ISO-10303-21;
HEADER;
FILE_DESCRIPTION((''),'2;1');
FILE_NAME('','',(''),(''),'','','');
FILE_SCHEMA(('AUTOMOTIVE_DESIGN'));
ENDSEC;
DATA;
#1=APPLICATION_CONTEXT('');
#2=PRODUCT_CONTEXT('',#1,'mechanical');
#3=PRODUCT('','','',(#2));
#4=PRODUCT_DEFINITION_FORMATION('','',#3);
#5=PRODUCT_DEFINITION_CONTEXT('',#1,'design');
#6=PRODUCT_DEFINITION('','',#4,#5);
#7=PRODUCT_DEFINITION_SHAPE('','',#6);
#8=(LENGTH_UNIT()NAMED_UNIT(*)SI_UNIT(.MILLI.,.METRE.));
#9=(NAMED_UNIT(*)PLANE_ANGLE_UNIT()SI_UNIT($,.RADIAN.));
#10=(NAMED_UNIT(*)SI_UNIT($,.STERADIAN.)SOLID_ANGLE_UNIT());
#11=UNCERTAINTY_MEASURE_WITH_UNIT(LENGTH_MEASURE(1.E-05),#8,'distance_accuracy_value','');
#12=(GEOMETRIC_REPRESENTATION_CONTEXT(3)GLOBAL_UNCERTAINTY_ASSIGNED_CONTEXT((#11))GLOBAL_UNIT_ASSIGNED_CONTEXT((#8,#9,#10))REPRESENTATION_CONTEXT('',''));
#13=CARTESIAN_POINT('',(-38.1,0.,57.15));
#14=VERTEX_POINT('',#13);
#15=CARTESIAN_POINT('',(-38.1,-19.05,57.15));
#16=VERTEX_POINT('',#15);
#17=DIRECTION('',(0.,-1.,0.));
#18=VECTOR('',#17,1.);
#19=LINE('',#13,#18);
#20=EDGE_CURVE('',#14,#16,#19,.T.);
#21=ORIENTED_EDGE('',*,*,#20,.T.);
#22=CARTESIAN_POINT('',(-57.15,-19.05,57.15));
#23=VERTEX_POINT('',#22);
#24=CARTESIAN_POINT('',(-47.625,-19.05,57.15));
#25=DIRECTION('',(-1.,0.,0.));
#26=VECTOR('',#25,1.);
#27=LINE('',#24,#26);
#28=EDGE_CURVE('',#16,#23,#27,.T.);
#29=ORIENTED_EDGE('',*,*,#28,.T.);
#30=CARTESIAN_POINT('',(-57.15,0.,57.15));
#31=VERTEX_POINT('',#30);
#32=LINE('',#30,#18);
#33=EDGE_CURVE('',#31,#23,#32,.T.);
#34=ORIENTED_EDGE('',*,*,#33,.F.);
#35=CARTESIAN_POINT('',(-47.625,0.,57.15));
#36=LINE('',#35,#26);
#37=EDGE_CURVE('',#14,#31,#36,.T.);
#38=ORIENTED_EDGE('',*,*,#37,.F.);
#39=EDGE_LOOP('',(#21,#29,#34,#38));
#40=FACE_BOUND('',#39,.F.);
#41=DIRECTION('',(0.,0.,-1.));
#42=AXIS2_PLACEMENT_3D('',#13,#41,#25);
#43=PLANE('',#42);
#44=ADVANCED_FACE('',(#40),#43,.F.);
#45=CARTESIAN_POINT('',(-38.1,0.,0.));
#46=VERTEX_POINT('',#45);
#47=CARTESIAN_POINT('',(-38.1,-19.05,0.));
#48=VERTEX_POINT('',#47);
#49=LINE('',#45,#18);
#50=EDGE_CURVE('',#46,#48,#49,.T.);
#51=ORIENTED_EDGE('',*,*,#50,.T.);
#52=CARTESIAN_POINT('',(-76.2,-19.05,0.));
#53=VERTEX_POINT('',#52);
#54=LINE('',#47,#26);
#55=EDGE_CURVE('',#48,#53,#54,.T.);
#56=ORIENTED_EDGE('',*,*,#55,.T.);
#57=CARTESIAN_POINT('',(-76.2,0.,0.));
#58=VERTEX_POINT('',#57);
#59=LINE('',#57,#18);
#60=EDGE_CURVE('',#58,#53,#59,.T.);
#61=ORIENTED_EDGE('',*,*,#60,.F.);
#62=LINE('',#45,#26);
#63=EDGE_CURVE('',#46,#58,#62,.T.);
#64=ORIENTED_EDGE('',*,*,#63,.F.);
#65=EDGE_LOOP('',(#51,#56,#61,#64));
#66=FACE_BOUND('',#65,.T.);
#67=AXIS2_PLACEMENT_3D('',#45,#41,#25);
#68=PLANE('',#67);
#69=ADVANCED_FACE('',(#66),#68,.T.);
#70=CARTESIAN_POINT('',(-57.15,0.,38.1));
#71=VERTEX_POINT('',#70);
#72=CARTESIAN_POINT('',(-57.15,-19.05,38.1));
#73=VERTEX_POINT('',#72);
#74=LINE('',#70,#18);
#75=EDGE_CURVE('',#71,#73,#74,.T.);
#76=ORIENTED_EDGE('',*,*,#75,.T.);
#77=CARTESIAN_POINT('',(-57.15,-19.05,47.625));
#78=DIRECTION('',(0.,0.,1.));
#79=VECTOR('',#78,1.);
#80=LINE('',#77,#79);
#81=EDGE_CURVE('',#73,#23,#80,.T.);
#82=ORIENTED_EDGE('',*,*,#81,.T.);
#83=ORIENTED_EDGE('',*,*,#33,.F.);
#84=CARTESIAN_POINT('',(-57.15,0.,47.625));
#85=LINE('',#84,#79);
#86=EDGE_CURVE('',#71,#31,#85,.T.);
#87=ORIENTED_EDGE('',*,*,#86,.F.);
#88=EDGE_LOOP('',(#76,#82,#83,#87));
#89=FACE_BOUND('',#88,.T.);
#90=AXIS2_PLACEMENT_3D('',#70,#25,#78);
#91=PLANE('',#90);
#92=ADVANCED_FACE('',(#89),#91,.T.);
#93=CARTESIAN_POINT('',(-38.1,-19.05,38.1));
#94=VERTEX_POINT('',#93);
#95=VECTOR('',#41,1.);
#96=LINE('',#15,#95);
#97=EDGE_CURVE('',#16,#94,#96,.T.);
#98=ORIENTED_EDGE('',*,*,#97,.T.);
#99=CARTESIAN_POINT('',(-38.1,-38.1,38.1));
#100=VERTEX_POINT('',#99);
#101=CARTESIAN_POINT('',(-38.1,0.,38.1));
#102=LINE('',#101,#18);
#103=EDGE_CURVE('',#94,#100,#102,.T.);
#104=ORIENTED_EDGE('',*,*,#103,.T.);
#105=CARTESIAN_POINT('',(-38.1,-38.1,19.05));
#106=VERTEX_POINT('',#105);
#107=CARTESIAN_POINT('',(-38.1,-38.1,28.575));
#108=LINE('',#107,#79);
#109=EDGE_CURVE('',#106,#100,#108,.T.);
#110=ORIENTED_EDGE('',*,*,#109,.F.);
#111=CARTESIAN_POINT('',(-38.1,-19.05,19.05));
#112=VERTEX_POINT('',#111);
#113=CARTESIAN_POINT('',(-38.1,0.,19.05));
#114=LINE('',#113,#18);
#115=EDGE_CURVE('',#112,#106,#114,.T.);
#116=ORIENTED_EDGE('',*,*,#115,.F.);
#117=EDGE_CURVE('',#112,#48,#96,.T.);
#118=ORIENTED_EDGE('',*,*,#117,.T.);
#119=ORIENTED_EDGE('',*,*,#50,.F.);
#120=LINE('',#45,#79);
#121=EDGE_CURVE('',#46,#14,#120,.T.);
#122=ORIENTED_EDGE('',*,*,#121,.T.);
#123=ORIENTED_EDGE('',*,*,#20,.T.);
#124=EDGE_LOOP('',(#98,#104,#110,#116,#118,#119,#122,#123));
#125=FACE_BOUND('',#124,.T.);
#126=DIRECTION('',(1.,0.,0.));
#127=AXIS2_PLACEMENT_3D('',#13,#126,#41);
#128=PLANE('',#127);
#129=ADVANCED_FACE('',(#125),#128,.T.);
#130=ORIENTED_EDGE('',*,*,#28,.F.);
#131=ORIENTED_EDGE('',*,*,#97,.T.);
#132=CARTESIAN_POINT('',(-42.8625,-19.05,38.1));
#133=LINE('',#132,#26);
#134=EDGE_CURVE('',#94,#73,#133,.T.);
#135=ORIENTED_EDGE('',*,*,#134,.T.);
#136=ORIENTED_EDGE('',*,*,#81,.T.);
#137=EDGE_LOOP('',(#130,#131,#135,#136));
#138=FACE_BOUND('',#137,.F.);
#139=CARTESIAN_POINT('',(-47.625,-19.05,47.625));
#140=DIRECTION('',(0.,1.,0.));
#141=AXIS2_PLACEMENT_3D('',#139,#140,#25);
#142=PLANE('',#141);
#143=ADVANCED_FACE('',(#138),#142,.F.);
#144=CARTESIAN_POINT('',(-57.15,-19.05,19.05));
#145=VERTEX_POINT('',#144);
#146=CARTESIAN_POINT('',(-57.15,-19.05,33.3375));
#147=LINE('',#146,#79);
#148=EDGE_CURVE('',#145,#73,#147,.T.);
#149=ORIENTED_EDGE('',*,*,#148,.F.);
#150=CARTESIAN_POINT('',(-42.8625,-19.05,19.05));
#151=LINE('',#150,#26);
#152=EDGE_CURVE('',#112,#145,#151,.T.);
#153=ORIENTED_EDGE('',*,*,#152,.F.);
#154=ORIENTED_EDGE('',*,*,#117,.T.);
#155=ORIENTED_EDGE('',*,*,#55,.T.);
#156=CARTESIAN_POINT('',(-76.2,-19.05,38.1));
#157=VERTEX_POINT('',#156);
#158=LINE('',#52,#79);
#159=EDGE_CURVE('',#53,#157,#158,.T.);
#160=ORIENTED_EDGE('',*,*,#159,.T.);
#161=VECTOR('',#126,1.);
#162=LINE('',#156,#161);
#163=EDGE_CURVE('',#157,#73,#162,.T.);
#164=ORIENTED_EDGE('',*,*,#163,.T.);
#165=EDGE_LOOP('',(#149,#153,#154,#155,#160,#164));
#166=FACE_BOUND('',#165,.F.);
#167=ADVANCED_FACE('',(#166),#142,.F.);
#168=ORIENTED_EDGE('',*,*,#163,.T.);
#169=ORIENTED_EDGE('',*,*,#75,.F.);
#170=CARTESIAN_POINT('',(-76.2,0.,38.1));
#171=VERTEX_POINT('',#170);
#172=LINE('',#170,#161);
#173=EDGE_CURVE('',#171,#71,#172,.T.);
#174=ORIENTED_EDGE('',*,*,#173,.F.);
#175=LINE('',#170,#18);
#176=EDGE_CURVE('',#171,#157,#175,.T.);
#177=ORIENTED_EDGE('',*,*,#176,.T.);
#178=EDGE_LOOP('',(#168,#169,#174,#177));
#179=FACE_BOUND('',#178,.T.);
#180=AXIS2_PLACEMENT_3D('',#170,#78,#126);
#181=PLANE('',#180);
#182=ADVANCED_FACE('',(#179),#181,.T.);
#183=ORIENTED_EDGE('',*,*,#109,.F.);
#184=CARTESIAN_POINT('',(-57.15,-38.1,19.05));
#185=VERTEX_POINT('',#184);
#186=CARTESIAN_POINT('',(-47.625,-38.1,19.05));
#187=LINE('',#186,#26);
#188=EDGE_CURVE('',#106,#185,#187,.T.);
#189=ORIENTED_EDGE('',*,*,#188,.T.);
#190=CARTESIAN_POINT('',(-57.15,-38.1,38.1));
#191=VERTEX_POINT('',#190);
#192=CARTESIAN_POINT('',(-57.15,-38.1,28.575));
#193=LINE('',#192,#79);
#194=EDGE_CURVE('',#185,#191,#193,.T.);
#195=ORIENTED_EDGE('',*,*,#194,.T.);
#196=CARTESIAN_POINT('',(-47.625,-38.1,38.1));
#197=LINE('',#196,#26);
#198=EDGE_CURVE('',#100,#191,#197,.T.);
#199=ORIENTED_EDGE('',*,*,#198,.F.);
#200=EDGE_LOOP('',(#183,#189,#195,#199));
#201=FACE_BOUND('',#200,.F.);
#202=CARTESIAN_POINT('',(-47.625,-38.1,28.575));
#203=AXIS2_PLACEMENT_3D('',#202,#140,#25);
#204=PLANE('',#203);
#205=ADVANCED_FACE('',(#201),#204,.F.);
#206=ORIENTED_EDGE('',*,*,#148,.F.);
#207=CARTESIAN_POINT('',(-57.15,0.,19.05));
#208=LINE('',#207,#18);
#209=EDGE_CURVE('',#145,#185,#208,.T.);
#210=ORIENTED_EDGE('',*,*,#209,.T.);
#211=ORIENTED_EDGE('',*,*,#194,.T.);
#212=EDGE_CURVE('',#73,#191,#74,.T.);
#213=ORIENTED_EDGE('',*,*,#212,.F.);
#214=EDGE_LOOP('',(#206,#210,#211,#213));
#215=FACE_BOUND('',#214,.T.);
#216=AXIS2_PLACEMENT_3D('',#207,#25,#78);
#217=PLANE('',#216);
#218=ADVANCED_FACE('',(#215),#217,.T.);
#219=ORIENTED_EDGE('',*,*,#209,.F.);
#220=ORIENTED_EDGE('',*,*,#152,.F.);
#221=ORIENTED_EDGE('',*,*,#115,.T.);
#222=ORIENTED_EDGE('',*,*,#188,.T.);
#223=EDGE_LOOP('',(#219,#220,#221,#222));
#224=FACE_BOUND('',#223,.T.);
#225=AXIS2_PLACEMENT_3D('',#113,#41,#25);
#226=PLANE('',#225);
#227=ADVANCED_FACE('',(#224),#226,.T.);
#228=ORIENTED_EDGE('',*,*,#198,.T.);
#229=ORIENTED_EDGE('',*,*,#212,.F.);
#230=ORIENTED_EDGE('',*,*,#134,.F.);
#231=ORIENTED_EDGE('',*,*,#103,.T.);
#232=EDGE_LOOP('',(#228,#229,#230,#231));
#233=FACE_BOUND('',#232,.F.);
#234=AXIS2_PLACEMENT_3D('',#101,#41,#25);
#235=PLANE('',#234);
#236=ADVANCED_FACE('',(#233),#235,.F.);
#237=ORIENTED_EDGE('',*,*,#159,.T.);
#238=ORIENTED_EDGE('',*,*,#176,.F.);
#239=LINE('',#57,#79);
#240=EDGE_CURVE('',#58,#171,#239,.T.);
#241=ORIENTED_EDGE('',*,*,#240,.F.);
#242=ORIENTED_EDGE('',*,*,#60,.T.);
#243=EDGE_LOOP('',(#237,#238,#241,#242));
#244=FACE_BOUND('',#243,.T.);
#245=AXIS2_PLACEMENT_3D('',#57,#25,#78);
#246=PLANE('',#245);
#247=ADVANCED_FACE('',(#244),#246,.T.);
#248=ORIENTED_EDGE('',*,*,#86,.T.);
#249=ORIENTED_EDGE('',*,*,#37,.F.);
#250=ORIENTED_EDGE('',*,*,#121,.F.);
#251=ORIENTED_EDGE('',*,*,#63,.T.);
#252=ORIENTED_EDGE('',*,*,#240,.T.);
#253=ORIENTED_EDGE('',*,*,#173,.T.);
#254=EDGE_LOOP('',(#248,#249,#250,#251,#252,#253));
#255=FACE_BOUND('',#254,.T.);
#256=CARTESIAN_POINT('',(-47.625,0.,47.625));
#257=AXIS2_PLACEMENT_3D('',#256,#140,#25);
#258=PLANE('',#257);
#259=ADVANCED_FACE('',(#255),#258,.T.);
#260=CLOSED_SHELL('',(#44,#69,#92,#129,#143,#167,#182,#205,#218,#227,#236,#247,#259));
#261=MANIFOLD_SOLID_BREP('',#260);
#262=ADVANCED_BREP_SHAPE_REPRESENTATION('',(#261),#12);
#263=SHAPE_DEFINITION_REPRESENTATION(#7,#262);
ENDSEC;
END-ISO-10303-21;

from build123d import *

# Parameters (mm, degrees)
F0_W     = 19.05
F0_H     = 19.05
F1_DEPTH = 19.05
F2_W     = 19.05
F2_H     = 19.05
F3_DEPTH = 38.1
F4_ANGLE = 180


with BuildPart() as f1:
    # F0 (on Front) → F1 (new body)
    with BuildSketch(Plane.XZ):
        with Locations((-28.575, 47.625)):
            Rectangle(F0_W, F0_H)
        Polygon((-19.05, 38.1), (-38.1, 38.1), (-38.1, 0), (0, 0), (0, 38.1), align=None)
    extrude(amount=-F1_DEPTH)

    # F2 (on Front) → F3 (join)
    with BuildSketch(Plane.XZ):
        with Locations((-28.575, 28.575)):
            Rectangle(F2_W, F2_H)
    extrude(amount=-F3_DEPTH)


with BuildPart() as f1_1:
    # F4: moved
    add(f1.part.rotate(Axis((-38.1, 0, 28.575), (0, 0, -1)), F4_ANGLE))


solid = f1_1.part
